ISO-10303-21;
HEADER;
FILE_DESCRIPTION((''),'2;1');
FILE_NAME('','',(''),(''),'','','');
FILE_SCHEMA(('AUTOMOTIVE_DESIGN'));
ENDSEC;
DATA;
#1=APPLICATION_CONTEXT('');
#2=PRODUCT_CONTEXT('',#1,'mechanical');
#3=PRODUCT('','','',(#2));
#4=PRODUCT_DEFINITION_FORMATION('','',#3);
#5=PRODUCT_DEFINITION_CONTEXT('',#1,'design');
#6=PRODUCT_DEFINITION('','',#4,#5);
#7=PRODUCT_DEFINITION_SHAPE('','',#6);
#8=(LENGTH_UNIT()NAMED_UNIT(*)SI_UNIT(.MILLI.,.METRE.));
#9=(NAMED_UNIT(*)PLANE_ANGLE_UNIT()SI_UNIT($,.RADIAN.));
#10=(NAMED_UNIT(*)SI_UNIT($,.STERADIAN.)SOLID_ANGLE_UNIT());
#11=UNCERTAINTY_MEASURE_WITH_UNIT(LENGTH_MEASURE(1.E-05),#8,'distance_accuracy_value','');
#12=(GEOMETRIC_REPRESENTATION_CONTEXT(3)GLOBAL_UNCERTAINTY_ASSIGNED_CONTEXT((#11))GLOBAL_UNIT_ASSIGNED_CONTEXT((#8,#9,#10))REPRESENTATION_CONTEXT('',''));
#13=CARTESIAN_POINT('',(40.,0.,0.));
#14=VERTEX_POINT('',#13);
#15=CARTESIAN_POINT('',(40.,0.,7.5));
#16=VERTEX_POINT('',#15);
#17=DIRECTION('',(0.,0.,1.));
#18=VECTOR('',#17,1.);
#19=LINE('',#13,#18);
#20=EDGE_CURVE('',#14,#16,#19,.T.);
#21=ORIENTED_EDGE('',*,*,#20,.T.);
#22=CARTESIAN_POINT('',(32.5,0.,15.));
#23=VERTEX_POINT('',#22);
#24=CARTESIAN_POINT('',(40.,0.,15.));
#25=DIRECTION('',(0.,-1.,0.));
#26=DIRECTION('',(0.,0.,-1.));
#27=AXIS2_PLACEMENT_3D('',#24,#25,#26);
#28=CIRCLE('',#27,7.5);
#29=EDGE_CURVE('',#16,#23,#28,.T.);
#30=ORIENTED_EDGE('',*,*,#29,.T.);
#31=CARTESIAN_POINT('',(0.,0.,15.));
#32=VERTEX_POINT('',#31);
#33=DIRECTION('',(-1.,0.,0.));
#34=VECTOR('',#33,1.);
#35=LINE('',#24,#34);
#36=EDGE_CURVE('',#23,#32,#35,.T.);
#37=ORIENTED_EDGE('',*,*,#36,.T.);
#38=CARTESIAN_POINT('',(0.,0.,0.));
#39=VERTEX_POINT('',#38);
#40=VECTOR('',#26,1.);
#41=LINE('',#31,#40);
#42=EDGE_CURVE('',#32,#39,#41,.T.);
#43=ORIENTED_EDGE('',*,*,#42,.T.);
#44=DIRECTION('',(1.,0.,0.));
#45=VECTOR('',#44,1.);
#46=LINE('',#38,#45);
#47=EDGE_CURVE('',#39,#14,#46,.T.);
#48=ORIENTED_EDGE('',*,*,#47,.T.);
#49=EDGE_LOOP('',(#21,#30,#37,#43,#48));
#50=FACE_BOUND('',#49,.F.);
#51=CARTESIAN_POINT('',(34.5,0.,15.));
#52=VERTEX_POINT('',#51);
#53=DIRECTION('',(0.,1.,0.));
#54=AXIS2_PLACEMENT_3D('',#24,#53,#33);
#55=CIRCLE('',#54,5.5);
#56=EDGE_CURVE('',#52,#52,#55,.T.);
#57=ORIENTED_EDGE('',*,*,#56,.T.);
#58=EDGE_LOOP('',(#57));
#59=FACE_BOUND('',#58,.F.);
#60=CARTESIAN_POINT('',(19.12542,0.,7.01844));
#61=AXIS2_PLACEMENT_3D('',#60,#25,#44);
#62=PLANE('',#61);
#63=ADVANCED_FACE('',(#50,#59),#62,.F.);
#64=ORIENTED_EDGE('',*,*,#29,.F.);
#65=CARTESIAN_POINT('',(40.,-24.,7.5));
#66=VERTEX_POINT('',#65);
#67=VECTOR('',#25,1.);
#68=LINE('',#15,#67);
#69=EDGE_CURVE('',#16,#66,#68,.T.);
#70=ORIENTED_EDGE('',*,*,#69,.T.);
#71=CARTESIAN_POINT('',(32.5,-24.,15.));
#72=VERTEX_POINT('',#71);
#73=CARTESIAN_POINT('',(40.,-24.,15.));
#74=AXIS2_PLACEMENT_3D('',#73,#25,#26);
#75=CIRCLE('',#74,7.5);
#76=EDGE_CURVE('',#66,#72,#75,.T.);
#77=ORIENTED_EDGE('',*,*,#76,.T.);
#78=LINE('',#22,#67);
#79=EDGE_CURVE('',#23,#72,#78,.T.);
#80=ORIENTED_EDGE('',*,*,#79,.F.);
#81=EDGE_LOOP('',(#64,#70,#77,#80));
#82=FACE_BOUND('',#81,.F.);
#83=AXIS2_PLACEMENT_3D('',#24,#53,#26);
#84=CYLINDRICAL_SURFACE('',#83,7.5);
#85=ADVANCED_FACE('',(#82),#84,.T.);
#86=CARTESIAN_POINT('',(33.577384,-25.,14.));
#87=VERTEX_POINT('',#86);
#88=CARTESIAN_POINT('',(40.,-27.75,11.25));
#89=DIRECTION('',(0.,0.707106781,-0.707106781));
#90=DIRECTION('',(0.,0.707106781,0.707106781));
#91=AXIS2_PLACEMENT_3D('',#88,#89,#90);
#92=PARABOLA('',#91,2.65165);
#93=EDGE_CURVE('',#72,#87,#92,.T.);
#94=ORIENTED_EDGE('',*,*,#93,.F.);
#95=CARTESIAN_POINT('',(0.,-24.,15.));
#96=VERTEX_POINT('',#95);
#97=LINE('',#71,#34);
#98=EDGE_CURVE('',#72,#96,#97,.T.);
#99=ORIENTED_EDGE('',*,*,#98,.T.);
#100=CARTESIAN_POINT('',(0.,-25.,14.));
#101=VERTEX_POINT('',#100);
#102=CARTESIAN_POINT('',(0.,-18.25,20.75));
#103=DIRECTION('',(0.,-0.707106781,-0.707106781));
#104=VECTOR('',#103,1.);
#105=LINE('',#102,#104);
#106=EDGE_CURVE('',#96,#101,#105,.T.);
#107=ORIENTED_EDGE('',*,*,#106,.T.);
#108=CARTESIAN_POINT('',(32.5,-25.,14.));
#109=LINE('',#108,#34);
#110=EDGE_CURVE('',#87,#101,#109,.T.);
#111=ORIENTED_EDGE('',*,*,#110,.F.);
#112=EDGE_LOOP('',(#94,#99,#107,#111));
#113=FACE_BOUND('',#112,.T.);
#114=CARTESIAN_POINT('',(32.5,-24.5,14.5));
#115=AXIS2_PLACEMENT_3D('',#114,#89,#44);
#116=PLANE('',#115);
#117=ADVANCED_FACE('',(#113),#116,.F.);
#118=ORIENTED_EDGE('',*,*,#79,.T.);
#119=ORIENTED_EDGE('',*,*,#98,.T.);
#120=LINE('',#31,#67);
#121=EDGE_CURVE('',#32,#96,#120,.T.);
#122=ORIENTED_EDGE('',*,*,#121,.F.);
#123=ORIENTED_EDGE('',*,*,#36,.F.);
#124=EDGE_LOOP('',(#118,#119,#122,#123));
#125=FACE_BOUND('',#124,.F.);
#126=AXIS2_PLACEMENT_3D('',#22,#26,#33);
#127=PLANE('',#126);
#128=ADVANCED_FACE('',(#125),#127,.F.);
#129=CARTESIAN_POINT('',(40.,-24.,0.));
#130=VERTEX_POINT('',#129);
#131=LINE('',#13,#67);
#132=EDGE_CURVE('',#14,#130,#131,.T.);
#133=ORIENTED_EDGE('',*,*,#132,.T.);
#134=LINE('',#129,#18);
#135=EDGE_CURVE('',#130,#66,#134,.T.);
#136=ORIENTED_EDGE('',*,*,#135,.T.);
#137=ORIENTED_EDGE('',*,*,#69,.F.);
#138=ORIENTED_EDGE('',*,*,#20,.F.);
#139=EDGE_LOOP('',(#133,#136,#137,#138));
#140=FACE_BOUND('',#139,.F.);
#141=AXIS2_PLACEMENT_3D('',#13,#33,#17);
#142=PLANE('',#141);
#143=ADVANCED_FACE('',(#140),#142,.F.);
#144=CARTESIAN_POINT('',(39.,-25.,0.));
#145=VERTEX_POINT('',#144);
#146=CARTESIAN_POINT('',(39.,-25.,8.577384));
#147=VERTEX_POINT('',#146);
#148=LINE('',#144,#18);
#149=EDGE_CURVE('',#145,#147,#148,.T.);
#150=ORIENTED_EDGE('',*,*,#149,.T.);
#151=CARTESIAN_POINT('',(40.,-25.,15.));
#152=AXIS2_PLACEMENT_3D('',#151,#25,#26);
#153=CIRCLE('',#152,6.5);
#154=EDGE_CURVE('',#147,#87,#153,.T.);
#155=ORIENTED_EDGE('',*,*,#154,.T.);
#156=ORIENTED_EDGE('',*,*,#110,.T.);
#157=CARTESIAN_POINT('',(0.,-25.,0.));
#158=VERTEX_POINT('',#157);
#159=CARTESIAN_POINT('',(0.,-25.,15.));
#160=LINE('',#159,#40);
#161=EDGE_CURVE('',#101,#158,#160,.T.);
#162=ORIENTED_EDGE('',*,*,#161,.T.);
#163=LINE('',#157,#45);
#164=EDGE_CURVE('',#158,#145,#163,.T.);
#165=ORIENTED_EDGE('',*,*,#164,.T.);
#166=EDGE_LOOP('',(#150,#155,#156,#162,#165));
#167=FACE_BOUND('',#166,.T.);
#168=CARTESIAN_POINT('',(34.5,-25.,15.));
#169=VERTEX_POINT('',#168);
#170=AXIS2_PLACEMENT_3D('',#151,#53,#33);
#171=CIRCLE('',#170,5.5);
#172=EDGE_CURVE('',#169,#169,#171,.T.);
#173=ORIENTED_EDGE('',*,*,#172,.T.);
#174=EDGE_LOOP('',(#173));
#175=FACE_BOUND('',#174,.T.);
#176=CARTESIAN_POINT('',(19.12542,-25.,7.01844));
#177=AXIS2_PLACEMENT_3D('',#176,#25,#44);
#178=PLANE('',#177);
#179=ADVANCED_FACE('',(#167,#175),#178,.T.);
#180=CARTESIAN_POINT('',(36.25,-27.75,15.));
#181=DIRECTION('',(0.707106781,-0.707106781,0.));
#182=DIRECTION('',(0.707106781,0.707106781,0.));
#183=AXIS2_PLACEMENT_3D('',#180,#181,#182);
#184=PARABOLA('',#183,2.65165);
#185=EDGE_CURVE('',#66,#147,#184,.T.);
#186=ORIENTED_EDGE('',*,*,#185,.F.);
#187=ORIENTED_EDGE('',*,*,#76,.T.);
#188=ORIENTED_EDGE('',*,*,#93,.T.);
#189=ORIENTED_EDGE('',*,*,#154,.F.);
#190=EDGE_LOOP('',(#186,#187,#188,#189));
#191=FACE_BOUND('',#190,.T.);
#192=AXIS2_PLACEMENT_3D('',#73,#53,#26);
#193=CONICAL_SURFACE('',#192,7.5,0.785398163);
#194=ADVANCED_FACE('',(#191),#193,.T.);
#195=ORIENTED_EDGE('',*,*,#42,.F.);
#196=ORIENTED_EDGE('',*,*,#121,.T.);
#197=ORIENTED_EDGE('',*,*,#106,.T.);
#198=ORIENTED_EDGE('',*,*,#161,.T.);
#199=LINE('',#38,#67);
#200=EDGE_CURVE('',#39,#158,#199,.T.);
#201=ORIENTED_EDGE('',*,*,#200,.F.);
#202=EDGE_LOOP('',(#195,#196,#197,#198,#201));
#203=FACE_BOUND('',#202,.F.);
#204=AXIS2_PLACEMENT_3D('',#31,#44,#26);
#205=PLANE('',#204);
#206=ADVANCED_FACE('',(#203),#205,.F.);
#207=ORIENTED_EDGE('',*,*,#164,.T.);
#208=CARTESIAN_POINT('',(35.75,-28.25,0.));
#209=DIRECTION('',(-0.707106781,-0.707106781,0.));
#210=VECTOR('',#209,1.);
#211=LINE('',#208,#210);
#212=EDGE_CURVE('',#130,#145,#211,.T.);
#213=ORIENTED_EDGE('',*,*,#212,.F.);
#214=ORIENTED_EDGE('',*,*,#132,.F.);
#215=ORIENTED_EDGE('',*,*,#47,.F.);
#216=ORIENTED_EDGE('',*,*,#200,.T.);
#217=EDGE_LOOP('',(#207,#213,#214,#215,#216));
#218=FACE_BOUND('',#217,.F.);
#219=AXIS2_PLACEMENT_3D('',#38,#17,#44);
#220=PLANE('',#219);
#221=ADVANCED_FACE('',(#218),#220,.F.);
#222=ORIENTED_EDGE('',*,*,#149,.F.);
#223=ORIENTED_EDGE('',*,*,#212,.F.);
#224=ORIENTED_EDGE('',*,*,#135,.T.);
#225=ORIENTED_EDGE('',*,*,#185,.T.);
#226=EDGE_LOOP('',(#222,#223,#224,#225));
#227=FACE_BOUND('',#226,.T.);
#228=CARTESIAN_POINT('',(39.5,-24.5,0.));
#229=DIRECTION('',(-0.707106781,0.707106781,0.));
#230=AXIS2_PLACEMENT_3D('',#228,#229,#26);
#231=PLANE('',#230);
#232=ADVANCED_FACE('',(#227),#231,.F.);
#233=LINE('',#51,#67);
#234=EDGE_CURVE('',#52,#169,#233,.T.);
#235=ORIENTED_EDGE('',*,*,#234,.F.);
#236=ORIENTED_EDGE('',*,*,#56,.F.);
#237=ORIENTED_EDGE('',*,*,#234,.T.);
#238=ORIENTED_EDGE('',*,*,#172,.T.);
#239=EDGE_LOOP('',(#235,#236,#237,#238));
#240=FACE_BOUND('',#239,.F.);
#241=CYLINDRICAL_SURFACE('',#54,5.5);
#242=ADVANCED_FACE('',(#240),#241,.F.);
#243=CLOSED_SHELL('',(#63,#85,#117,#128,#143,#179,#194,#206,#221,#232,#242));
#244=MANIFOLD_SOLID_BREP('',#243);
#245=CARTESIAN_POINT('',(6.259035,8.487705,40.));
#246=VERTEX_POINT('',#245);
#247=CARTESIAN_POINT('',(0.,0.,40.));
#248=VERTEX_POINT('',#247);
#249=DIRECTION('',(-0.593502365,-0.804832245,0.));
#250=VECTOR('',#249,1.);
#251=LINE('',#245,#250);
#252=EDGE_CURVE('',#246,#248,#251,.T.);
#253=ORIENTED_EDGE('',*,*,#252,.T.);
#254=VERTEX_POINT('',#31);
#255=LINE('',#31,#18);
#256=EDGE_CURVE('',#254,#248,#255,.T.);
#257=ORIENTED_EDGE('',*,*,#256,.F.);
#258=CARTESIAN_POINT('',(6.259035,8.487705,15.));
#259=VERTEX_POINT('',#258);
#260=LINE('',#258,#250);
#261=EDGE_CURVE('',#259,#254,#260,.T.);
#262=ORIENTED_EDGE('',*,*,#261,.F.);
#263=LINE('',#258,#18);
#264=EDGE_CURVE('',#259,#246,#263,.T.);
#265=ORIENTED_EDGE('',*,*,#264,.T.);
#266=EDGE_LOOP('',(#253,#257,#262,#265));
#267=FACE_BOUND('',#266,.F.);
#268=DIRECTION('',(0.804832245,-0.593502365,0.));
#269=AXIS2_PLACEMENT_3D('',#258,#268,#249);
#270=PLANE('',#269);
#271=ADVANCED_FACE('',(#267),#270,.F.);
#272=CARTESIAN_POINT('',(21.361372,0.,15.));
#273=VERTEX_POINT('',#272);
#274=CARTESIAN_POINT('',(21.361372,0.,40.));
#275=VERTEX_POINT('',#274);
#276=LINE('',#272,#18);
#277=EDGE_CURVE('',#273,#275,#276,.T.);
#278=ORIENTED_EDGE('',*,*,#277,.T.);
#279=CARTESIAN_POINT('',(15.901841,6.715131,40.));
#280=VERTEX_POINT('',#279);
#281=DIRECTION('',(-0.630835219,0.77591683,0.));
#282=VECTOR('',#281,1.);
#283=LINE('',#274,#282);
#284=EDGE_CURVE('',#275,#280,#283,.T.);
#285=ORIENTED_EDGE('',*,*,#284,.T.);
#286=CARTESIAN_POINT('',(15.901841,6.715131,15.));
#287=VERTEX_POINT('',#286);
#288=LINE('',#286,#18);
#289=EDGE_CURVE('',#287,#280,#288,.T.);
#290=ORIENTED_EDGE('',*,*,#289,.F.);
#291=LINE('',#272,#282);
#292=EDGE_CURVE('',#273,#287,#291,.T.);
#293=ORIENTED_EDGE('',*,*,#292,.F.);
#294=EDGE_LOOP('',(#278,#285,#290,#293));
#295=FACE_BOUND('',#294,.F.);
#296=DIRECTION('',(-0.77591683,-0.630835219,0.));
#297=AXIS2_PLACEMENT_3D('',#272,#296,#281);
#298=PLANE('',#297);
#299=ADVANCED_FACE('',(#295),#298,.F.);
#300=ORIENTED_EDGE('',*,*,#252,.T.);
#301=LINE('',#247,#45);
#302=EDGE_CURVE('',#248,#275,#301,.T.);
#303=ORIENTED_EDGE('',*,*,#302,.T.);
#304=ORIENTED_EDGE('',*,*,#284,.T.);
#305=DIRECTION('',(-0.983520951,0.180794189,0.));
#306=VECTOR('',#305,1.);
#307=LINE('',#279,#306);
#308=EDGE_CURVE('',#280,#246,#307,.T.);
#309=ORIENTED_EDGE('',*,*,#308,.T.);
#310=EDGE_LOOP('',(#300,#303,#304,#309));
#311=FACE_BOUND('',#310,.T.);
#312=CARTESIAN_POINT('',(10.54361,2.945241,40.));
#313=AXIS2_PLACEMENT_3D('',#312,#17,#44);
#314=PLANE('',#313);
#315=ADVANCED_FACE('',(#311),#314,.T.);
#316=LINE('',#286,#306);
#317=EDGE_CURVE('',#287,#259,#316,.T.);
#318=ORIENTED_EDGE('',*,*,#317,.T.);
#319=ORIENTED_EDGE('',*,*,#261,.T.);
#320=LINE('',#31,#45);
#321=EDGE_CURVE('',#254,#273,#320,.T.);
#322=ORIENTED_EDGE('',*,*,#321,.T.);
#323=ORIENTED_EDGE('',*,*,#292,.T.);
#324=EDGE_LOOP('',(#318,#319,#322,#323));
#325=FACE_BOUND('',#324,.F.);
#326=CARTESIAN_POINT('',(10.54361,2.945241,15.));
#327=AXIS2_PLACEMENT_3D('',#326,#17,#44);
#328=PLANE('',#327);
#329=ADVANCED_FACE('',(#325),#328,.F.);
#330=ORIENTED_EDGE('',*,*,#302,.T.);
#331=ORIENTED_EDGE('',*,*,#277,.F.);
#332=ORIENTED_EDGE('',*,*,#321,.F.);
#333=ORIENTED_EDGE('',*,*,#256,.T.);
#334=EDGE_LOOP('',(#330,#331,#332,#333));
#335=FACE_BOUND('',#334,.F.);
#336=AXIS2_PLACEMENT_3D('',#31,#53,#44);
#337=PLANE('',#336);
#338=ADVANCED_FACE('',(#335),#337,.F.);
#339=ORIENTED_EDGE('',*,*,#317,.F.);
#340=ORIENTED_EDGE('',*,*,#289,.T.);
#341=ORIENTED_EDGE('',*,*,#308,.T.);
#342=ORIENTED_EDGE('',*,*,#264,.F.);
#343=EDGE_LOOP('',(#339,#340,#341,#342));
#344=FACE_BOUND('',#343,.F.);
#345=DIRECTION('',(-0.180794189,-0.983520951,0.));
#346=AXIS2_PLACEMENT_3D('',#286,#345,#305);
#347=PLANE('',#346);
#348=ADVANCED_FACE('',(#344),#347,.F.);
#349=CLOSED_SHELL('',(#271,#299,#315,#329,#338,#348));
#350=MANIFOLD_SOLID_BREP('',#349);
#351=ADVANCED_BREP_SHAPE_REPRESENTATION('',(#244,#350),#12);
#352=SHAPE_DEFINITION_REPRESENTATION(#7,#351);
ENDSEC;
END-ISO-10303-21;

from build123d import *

# Parameters (mm, degrees)
F1_DEPTH = 25
F2_SIZE  = 1
F3_R     = 5.5
F4_DEPTH = 25.001
F6_DEPTH = 25


with BuildPart() as f1:
    # F0 (on Front) → F1 (new body)
    with BuildSketch(Plane.XZ):
        with BuildLine():
            Line((0, 15), (0, 0))
            Line((0, 0), (40, 0))
            Line((40, 0), (40, 7.5))
            ThreePointArc((40, 7.5), (34.6966991411, 9.6966991411), (32.5, 15))
            Line((32.5, 15), (0, 15))
        make_face()
        with BuildLine():
            ThreePointArc((32.5, 15), (34.6966991411, 9.6966991411), (40, 7.5))
            Line((40, 7.5), (40, 15))
            Line((40, 15), (32.5, 15))
        make_face()
        with BuildLine():
            Line((40, 15), (40, 7.5))
            ThreePointArc((40, 7.5), (45.3033008589, 9.6966991411), (47.5, 15))
            ThreePointArc((47.5, 15), (40, 22.5), (32.5, 15))
            Line((32.5, 15), (40, 15))
        make_face()
    extrude(amount=F1_DEPTH)

    # F2
    f2_edges = [f1.edges().sort_by_distance(p)[0] for p in [
        (16.25, -25, 15),
        (45.303301, -25, 20.303301),
        (40, -25, 3.75),
    ]]
    chamfer(f2_edges, length=F2_SIZE)

    # F3 (on face) → F4 (cut, through all)
    with BuildSketch(Plane(origin=(0, 0, 0), x_dir=(-1, 0, 0), z_dir=(0, 1, 0))):
        with Locations((-40, 15)):
            Circle(F3_R)
    extrude(amount=-F4_DEPTH, mode=Mode.SUBTRACT)


with BuildPart() as f6:
    # F5 (on face) → F6 (new body)
    with BuildSketch(Plane.XY.offset(15)):
        Polygon((6.2590348534, 8.4877051413), (0, 0), (21.3613715023, 0), (15.9018412232, 6.7151314579), align=None)
    extrude(amount=F6_DEPTH)


solid = Compound([f1.part, f6.part])
